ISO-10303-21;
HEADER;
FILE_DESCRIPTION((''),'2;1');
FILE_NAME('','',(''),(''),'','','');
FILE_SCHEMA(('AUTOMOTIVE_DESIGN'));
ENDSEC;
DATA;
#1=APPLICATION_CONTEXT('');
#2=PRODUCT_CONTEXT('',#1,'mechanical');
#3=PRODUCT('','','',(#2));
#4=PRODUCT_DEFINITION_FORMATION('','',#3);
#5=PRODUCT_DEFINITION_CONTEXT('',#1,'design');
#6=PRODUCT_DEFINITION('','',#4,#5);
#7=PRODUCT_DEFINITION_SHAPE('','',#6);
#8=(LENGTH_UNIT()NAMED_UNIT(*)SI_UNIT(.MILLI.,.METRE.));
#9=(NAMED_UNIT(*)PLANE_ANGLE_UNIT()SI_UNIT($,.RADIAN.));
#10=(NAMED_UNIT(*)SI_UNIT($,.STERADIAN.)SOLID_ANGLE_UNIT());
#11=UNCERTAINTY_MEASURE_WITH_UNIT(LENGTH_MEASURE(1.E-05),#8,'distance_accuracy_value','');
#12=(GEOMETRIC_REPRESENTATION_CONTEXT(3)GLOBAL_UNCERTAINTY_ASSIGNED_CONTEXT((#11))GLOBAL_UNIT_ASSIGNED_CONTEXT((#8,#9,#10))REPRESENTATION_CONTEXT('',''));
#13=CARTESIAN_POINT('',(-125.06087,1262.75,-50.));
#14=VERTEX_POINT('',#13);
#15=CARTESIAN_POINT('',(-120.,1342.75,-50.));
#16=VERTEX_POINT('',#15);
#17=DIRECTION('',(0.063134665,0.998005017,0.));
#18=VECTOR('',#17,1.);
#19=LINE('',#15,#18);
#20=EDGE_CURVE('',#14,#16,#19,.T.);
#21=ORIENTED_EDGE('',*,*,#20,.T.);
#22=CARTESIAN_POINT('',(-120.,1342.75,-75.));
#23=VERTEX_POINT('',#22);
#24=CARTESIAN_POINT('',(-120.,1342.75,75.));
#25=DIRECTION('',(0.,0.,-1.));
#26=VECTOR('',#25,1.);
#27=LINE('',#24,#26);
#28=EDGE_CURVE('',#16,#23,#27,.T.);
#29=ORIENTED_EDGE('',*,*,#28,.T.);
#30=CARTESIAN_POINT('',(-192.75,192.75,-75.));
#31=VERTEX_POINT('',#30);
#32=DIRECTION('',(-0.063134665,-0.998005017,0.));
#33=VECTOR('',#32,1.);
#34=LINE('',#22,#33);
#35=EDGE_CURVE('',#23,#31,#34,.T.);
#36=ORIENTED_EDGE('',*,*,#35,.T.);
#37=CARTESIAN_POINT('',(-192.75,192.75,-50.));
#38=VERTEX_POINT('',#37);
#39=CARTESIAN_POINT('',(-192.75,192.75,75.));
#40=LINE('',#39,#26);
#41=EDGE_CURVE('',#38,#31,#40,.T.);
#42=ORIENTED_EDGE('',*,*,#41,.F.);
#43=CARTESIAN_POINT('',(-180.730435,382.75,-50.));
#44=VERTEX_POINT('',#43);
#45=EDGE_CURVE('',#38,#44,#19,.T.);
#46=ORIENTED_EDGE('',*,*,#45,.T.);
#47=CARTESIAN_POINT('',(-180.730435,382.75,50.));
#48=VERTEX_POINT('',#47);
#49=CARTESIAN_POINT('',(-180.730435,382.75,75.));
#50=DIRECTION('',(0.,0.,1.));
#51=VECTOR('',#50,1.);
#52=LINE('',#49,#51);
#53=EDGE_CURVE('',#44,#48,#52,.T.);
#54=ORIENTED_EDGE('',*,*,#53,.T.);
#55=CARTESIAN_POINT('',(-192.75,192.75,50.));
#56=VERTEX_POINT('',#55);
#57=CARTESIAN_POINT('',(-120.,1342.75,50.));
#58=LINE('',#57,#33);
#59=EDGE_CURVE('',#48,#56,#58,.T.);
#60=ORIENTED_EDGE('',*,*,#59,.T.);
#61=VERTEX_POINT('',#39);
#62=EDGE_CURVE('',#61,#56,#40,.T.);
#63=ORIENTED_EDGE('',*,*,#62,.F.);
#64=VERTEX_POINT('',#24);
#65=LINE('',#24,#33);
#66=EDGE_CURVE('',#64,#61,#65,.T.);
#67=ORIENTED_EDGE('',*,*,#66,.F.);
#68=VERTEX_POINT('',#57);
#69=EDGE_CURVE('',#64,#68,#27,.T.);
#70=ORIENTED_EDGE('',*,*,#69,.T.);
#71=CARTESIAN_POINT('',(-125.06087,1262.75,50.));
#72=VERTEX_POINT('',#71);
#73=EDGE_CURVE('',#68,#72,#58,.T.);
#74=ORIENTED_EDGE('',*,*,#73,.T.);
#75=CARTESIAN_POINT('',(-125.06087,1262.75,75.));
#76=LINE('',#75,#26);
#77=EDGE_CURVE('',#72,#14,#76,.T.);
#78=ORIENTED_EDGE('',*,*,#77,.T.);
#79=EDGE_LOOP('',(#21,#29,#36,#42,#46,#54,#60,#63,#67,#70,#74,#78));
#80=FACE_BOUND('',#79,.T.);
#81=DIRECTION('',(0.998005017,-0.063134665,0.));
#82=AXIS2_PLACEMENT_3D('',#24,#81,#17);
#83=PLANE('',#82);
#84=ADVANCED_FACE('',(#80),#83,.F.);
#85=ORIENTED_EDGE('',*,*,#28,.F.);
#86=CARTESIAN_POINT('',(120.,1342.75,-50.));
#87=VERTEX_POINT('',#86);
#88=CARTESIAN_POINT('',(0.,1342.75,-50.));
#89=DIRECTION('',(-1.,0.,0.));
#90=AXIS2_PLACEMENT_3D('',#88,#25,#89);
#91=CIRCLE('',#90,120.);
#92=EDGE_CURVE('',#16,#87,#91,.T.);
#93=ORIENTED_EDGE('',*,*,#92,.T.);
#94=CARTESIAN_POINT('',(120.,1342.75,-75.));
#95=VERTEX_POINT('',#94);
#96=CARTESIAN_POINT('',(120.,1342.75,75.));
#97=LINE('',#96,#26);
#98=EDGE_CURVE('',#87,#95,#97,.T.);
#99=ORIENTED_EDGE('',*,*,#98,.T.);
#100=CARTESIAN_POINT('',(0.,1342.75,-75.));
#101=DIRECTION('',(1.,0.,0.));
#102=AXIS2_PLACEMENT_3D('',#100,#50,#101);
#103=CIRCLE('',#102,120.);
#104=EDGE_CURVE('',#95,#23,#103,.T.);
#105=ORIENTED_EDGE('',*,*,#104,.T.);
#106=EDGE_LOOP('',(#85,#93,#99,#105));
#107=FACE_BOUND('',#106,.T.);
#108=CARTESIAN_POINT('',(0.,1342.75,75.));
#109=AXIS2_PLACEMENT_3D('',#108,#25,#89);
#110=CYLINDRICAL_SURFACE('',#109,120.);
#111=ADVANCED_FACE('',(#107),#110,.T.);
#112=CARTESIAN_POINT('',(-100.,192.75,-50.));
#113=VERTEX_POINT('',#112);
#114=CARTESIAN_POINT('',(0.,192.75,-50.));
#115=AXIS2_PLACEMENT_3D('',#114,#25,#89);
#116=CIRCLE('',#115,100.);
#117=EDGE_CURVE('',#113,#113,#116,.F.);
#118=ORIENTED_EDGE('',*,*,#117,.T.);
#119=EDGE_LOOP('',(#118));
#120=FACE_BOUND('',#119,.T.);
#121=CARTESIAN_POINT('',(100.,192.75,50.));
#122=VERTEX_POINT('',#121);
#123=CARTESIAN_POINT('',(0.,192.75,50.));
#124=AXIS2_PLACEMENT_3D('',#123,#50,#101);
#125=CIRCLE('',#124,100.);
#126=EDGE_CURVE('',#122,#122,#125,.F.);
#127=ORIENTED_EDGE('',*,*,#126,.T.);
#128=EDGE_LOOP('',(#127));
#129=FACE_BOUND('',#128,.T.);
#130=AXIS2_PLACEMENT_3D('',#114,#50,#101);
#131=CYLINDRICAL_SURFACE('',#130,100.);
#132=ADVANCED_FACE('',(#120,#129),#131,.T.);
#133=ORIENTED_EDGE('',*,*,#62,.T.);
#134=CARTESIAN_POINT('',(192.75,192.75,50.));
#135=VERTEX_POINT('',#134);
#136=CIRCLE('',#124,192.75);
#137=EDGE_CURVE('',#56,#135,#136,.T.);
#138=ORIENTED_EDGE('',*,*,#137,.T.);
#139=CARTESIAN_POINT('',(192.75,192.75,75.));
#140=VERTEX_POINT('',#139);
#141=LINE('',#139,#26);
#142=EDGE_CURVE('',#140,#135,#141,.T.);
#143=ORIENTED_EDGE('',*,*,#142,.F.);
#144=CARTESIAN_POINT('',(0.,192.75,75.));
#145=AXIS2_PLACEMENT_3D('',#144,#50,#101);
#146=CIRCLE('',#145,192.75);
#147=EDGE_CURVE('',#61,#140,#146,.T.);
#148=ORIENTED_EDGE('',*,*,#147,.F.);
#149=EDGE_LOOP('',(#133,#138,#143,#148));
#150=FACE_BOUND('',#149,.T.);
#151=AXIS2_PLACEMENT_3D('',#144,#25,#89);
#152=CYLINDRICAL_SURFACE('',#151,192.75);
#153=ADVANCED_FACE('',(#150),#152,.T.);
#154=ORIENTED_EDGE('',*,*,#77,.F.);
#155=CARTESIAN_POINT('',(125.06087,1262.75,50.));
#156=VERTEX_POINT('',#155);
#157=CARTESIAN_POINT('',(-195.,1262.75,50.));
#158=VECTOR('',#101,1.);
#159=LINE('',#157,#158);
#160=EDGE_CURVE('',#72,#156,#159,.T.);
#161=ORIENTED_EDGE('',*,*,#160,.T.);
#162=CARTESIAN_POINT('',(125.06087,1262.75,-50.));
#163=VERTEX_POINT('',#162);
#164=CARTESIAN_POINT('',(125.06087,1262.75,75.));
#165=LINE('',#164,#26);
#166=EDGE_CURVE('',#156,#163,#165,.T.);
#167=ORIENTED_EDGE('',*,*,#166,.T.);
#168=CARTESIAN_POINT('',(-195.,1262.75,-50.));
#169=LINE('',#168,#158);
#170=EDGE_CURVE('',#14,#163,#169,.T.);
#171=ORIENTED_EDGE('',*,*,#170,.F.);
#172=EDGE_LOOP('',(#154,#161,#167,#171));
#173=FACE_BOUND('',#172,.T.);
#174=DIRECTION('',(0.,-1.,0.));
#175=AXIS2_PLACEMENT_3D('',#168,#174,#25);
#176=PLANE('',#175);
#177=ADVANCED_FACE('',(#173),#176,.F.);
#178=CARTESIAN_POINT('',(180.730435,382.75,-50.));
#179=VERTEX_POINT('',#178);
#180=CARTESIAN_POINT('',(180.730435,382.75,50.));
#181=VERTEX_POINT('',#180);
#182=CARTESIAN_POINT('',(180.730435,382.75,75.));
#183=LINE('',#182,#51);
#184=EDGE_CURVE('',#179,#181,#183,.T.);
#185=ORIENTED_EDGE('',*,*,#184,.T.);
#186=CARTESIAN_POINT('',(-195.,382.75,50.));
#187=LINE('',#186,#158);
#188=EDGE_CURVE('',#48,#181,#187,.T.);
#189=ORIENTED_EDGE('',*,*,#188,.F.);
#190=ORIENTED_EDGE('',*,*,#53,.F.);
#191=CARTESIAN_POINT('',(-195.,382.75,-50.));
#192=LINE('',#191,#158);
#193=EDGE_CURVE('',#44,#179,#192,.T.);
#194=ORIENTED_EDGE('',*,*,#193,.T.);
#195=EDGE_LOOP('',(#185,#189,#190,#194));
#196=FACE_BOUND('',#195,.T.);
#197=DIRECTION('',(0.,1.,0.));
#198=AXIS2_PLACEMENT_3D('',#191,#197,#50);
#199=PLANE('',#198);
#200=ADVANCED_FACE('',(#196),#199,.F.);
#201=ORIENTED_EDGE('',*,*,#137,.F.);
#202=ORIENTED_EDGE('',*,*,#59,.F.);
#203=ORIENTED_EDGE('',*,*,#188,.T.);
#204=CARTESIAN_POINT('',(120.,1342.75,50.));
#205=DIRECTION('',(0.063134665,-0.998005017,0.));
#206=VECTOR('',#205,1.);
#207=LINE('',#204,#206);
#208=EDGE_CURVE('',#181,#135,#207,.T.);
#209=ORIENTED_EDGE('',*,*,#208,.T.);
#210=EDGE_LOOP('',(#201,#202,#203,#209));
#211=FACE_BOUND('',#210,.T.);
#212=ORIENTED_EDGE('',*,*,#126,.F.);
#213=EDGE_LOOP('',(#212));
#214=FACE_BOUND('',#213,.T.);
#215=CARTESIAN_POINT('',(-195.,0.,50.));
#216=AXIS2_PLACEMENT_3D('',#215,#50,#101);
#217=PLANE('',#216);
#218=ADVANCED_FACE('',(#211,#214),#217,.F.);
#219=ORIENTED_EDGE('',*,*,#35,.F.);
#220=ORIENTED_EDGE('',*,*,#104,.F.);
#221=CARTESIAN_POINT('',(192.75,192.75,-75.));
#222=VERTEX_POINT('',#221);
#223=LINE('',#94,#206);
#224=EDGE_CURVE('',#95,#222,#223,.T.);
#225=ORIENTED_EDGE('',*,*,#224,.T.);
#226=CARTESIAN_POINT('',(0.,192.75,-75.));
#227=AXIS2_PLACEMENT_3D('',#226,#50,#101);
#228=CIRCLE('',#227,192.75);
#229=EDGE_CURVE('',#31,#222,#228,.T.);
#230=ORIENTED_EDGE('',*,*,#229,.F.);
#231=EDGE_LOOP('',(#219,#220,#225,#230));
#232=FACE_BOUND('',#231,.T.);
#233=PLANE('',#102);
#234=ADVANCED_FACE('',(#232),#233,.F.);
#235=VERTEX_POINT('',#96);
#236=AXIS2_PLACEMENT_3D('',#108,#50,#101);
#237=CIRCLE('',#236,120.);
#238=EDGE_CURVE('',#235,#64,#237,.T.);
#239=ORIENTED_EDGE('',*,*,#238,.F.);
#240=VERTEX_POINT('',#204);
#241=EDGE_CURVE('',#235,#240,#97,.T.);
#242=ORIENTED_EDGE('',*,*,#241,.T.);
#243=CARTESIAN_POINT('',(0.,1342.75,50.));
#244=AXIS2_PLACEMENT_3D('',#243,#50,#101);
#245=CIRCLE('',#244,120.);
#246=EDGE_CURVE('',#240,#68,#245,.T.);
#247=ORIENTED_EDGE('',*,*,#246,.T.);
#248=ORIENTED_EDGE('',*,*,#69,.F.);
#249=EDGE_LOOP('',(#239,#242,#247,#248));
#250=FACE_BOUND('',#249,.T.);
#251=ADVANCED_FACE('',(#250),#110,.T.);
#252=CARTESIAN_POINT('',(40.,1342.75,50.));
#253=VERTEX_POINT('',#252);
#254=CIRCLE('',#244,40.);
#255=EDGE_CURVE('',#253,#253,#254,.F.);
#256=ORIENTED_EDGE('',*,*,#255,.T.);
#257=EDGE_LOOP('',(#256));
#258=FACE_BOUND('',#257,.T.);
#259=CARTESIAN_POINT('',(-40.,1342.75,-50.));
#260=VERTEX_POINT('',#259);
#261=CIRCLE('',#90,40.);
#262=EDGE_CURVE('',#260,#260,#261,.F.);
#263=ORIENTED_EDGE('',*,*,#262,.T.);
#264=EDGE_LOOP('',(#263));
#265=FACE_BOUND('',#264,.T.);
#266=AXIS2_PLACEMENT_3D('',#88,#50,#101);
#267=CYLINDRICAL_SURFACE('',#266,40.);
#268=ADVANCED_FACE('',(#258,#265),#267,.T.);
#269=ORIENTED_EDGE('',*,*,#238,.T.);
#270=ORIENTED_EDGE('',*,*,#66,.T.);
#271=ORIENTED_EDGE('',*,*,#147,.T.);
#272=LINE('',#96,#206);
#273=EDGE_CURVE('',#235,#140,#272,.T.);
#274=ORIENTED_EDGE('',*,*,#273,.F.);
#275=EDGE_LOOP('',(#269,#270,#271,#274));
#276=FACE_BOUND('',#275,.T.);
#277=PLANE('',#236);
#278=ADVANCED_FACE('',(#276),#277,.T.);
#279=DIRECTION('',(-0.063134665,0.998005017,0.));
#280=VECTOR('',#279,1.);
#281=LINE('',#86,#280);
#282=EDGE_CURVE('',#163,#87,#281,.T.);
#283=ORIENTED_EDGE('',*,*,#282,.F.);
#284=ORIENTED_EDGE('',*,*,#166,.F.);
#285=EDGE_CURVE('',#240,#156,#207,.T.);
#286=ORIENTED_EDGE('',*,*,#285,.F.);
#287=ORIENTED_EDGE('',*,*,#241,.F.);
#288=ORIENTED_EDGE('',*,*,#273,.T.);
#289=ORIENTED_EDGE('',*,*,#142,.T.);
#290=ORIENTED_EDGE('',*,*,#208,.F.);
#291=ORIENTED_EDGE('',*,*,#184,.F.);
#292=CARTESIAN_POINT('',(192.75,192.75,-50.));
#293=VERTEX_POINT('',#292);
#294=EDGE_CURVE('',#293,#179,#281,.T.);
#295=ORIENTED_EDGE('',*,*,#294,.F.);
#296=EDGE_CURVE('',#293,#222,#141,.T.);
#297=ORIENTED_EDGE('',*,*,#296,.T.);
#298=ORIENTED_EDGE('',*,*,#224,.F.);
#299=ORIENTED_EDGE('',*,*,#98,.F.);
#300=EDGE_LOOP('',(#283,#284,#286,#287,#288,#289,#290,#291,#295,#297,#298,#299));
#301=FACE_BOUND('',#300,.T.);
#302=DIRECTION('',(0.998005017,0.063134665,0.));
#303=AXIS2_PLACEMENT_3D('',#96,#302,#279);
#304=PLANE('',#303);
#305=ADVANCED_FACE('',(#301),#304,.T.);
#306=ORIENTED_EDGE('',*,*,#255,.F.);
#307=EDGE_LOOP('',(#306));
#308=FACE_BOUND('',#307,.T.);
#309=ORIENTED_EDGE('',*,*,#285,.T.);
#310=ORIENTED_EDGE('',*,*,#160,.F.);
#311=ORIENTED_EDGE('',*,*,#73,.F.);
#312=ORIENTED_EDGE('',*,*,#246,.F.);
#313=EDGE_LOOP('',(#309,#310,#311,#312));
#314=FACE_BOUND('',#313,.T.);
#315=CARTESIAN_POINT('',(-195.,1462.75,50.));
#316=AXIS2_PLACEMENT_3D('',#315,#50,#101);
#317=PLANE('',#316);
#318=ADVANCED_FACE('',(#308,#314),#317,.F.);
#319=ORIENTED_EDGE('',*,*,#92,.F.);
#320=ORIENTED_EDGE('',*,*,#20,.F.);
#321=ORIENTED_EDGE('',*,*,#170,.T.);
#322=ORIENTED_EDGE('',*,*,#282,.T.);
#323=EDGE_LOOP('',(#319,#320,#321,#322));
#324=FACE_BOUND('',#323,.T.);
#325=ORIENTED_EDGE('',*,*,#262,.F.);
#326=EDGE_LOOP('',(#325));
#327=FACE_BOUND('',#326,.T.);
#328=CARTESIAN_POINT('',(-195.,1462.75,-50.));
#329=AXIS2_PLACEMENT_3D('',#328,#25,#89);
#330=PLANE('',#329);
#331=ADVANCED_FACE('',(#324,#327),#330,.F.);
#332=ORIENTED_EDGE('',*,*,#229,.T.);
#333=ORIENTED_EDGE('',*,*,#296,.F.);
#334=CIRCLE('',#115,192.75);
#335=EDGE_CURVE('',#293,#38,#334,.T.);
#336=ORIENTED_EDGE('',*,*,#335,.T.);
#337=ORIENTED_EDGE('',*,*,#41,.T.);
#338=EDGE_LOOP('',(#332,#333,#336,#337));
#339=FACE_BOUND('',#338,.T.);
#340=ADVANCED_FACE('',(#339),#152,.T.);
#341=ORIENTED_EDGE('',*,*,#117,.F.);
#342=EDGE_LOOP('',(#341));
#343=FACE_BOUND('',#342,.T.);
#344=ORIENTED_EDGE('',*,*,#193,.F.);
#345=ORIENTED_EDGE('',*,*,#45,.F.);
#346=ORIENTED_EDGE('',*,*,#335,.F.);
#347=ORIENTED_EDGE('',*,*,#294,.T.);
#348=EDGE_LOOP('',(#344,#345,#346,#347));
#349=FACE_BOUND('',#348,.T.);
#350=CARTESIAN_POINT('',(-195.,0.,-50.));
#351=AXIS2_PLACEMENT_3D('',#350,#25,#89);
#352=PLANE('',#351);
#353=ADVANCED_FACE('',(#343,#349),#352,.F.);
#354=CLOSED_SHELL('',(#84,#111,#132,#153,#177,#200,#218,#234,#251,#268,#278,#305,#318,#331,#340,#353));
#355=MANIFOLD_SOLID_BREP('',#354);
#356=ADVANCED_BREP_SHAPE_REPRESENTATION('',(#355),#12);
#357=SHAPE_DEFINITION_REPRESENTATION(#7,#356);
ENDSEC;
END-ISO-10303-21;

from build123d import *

# Parameters (mm, degrees)
BOSS_EXTRUDE1_DEPTH = 75
SKETCH3_W           = 100
SKETCH3_H           = 382.75
SKETCH3_H_2         = 200
CUT_EXTRUDE1_DEPTH  = 195
SKETCH5_R           = 40
BOSS_EXTRUDE2_DEPTH = 100
SKETCH4_R           = 100
BOSS_EXTRUDE3_DEPTH = 100


with BuildPart() as part:
    # Sketch2 → Boss-Extrude1 (new, symmetric)
    with BuildSketch(Plane.XY):
        with BuildLine():
            Line((120, 1342.75), (192.75, 192.75))
            ThreePointArc((192.75, 192.75), (0, 0), (-192.75, 192.75))
            Line((-192.75, 192.75), (-120, 1342.75))
            ThreePointArc((-120, 1342.75), (0, 1462.75), (120, 1342.75))
        make_face()
    extrude(amount=BOSS_EXTRUDE1_DEPTH, both=True)

    # Sketch3 → Cut-Extrude1 (cut, symmetric)
    with BuildSketch(Plane(origin=(0, 0, 0), x_dir=(0, 0, -1), z_dir=(1, 0, 0))):
        with Locations((0, 191.375)):
            Rectangle(SKETCH3_W, SKETCH3_H)
        with Locations((0, 1362.75)):
            Rectangle(SKETCH3_W, SKETCH3_H_2)
    extrude(amount=CUT_EXTRUDE1_DEPTH, both=True, mode=Mode.SUBTRACT)

    # Sketch5 → Boss-Extrude2 (add)
    with BuildSketch(Plane(origin=(0, 0, 50), x_dir=(-1, 0, 0), z_dir=(0, 0, -1))):
        with Locations(Location((0, 1342.75, 0), (0, 0, 180))):
            Circle(SKETCH5_R)
    extrude(amount=BOSS_EXTRUDE2_DEPTH)

    # Sketch4 → Boss-Extrude3 (add)
    with BuildSketch(Plane(origin=(0, 0, 50), x_dir=(-1, 0, 0), z_dir=(0, 0, -1))):
        with Locations(Location((0, 192.75, 0), (0, 0, 180))):
            Circle(SKETCH4_R)
    extrude(amount=BOSS_EXTRUDE3_DEPTH)


solid = part.part
